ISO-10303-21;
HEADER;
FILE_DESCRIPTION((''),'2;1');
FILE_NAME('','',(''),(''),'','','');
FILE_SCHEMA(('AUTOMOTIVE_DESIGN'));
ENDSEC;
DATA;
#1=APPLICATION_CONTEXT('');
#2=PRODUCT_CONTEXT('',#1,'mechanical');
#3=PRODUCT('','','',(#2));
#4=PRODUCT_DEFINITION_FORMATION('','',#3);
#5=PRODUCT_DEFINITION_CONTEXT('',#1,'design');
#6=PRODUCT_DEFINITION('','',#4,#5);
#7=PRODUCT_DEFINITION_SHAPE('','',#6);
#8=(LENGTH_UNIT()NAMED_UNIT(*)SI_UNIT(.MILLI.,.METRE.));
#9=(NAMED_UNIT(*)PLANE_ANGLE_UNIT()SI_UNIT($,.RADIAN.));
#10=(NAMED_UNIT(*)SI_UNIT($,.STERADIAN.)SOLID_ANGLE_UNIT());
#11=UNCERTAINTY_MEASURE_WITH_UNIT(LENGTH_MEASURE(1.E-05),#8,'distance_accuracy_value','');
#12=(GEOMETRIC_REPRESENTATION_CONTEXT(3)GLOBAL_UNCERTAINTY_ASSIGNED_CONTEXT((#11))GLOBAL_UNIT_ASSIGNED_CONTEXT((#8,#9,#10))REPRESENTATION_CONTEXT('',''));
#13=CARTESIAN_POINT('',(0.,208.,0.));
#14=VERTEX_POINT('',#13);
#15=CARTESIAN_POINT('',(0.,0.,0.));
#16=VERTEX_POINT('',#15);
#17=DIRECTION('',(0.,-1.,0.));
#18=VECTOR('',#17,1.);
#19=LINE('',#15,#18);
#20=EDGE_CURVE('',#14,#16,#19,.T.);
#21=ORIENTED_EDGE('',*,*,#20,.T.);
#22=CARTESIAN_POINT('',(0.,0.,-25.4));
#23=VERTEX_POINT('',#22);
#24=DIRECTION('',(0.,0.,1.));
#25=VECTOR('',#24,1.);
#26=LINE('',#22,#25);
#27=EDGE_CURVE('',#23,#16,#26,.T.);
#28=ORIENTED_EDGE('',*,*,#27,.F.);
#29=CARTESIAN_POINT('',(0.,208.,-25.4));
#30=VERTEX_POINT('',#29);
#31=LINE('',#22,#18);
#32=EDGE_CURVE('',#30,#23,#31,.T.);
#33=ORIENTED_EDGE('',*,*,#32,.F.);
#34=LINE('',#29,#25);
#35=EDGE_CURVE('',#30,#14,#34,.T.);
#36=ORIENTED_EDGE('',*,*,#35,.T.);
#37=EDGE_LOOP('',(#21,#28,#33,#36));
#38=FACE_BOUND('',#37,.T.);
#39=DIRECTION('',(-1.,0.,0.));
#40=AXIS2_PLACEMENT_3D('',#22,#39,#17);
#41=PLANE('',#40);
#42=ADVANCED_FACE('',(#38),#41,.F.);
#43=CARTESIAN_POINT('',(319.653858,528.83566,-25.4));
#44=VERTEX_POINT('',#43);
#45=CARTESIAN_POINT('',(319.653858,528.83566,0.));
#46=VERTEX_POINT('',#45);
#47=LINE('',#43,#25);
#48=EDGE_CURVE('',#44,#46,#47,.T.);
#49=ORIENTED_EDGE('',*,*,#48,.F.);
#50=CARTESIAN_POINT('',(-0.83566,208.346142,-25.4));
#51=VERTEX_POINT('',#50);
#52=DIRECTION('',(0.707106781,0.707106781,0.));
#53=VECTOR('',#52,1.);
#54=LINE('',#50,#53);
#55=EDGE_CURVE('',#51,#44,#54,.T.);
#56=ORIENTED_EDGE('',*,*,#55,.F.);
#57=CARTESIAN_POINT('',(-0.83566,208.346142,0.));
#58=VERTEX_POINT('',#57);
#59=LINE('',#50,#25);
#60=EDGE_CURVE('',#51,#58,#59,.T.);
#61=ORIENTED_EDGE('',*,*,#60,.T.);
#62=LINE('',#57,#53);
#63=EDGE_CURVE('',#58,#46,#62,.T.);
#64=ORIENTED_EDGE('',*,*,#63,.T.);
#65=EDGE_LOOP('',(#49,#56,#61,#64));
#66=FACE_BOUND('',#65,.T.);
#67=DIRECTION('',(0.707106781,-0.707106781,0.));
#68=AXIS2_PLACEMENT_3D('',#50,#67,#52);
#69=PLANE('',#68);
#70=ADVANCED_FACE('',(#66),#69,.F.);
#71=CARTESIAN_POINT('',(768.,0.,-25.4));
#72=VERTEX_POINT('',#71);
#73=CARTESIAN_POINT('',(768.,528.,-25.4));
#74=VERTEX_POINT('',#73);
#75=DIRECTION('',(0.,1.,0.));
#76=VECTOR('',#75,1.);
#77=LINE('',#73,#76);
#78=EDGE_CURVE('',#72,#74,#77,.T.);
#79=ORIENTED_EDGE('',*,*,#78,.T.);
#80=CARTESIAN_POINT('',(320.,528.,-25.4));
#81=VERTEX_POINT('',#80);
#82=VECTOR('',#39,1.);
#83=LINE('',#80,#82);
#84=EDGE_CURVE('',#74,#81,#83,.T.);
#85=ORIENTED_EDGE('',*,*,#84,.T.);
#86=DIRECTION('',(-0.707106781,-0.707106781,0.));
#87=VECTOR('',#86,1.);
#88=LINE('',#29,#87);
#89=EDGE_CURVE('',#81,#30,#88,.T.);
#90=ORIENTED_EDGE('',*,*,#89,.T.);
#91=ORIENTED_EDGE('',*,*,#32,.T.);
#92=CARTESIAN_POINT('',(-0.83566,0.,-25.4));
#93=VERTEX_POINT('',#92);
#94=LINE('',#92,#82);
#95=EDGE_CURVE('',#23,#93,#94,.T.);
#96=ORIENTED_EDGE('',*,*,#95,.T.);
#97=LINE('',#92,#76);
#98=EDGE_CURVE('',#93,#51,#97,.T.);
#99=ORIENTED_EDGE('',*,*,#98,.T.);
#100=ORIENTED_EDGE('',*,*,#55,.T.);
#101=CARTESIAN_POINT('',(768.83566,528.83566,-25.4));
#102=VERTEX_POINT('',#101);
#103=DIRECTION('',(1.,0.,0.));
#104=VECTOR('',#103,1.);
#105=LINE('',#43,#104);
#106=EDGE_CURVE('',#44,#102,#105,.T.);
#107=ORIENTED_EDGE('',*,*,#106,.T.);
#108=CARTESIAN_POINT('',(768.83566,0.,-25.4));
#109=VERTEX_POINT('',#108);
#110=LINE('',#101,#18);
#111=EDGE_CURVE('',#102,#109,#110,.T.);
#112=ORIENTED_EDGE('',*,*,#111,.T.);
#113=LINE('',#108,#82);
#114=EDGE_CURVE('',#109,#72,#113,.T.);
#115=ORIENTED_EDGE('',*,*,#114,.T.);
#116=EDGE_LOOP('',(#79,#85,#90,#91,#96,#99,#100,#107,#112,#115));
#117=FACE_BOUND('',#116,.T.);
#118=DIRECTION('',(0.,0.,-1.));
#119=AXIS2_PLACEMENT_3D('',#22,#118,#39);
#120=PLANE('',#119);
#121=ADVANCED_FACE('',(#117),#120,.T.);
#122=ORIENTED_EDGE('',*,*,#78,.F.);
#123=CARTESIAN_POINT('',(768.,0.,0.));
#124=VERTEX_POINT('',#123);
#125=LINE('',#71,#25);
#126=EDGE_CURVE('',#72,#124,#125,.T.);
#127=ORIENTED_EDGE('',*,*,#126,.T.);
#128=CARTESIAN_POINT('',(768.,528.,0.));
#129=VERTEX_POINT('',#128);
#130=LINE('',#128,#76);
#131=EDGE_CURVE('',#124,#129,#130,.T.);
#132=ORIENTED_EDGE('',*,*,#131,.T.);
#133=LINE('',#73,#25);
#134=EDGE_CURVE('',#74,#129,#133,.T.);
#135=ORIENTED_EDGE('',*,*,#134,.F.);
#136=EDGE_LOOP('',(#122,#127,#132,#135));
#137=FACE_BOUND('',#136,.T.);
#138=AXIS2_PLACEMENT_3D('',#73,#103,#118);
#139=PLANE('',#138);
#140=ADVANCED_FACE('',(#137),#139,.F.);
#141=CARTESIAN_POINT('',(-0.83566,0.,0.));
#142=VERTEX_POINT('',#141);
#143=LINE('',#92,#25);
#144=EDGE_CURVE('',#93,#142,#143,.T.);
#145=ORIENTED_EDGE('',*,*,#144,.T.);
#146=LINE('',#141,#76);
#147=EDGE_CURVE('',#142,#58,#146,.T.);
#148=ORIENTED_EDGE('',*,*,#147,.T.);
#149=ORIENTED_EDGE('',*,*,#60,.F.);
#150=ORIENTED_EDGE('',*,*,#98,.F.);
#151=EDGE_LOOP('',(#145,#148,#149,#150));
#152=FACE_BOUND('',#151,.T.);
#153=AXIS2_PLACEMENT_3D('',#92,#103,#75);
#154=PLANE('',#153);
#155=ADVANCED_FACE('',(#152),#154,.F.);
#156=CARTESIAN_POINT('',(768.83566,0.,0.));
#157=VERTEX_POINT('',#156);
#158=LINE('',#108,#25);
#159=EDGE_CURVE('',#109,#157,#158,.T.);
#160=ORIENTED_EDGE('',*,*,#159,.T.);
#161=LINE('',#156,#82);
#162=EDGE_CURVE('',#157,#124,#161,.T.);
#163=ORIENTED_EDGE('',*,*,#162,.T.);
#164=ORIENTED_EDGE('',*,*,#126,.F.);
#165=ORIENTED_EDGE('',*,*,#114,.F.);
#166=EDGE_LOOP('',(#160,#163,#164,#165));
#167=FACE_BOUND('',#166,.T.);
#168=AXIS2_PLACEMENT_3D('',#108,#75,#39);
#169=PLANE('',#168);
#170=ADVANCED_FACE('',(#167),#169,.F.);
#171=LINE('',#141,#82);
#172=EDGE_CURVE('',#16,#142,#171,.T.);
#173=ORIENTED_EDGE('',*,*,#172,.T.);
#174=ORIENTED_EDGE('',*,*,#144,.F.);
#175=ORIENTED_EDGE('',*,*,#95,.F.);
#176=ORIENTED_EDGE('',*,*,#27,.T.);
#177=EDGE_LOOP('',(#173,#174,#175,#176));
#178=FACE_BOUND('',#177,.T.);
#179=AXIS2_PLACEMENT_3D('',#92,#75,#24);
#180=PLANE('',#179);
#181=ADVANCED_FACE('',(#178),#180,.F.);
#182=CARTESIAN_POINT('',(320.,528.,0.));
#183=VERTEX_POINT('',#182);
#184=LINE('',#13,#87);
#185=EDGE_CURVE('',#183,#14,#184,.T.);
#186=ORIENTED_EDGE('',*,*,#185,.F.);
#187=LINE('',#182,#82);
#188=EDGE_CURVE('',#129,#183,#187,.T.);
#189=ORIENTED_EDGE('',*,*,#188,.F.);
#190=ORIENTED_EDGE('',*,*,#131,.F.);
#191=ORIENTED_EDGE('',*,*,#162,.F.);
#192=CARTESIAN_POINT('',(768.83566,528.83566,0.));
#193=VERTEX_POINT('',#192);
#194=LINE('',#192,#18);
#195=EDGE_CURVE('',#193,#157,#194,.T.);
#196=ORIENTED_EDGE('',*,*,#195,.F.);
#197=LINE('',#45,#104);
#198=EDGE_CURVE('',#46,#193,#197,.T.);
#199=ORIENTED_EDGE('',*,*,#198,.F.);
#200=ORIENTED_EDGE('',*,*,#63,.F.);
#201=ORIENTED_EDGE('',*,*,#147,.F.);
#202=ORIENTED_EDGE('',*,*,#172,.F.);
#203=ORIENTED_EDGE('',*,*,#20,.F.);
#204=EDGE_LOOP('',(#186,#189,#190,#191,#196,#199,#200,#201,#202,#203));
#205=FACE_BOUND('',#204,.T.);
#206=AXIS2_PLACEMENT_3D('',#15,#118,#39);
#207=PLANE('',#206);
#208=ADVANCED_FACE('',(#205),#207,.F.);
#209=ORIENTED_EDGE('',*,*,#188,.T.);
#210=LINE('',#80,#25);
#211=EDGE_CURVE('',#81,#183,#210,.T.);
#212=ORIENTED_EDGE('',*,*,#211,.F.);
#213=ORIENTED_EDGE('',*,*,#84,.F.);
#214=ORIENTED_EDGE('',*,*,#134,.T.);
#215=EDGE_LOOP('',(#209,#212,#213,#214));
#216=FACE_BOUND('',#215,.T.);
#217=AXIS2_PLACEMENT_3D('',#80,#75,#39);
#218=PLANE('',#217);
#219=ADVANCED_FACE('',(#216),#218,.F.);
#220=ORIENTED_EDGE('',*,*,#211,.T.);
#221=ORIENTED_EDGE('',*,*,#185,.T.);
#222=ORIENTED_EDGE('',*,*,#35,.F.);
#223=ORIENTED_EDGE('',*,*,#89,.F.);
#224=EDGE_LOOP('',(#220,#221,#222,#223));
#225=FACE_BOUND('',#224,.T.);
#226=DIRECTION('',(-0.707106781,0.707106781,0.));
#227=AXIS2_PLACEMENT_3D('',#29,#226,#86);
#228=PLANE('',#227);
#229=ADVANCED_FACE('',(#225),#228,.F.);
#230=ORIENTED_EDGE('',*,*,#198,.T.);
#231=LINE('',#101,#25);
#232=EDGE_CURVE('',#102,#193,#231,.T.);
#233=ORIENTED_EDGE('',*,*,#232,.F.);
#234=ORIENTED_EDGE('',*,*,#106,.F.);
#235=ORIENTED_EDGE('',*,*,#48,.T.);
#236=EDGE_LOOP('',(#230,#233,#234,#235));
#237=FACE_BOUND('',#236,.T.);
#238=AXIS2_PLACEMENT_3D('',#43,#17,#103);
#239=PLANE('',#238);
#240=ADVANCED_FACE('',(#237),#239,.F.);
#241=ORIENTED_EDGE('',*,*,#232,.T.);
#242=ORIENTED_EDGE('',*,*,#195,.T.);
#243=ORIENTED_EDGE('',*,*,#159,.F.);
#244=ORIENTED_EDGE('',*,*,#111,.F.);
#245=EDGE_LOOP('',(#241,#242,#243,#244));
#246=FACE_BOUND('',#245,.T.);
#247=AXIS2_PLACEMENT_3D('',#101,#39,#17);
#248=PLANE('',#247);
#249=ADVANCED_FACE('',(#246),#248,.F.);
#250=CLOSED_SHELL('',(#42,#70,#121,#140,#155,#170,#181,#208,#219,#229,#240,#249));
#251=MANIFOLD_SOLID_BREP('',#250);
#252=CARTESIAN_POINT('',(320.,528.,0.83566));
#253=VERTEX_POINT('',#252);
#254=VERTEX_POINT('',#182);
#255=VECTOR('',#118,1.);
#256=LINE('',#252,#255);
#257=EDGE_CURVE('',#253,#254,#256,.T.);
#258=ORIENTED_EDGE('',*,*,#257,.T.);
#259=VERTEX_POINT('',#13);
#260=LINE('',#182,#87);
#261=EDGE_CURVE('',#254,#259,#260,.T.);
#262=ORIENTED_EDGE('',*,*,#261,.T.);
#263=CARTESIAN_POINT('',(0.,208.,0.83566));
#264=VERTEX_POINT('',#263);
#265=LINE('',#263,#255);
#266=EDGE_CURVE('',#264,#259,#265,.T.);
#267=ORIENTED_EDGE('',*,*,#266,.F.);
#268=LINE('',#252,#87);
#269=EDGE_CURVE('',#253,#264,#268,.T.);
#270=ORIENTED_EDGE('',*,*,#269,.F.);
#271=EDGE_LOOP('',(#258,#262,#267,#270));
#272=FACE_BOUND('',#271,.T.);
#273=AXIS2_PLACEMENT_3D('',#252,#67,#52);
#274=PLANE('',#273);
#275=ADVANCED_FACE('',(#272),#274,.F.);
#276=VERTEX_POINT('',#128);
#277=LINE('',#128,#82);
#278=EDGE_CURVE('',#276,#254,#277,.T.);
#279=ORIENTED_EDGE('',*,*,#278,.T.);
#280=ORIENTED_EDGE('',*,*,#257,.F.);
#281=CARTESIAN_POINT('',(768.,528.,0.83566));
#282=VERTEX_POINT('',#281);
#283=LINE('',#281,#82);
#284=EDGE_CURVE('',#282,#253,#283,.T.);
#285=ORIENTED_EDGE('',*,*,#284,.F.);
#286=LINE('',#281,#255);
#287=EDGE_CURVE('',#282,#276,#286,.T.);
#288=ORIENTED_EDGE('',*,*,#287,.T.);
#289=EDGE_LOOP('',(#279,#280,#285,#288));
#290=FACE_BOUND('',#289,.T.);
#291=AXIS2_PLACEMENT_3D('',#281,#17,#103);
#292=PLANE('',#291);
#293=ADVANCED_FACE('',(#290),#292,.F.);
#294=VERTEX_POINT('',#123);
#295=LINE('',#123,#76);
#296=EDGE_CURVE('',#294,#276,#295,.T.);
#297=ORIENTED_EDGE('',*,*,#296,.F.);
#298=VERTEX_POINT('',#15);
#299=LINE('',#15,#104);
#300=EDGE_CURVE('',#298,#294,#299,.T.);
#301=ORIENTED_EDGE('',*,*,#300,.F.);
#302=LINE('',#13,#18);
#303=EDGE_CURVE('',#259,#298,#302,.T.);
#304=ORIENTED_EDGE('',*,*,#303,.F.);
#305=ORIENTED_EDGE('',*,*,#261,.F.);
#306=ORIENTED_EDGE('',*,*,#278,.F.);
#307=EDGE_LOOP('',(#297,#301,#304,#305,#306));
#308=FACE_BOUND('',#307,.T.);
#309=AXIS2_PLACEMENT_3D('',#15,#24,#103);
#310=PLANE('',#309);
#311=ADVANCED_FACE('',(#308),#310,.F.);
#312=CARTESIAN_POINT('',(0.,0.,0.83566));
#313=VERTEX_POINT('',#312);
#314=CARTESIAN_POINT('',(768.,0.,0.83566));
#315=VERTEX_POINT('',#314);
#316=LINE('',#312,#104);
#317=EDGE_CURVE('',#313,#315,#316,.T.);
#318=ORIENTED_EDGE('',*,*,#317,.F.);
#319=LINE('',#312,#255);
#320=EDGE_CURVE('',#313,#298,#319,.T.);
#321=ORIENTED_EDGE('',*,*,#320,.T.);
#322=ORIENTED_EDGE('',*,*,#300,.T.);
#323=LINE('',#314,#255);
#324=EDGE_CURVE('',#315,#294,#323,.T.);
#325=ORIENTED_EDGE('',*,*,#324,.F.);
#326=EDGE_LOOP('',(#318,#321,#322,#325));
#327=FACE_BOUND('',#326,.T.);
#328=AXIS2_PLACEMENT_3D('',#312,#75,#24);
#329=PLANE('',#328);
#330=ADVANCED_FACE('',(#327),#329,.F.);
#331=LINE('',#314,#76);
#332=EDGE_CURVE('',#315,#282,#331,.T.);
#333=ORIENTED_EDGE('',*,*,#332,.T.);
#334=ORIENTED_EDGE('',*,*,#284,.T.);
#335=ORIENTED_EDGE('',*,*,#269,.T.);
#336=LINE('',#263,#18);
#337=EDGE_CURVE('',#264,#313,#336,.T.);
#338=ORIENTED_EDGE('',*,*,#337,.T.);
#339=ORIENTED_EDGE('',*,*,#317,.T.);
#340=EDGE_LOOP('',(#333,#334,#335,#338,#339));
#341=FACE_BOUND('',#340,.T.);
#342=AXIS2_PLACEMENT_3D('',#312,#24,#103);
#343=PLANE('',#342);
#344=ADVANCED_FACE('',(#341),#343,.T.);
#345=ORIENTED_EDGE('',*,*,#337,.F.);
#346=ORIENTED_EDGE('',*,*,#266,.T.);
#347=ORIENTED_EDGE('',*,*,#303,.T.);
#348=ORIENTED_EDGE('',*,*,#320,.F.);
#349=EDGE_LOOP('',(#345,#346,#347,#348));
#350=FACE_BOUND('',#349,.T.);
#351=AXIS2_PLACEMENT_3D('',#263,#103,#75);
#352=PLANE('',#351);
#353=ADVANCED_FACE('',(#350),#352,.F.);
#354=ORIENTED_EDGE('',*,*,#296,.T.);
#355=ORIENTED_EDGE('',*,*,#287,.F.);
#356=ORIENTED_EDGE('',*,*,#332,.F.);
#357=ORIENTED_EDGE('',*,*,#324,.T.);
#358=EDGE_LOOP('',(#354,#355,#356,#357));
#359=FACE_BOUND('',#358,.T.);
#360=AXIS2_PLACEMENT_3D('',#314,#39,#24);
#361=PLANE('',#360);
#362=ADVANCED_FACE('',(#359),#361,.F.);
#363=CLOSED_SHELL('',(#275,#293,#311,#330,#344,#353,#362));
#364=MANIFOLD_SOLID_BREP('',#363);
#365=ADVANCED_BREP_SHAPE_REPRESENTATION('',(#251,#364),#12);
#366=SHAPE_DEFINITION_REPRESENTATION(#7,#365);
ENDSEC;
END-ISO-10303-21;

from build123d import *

# Parameters (mm, degrees)
SALIENTE_EXTRUIR1_DEPTH = 0.83566
SALIENTE_EXTRUIR2_DEPTH = 25.4


with BuildPart() as part:
    # Croquis1 → Saliente-Extruir1 (new body)
    with BuildSketch(Plane.XY):
        Polygon((0, 0), (768, 0), (768, 528), (320, 528), (0, 208), align=None)
    extrude(amount=SALIENTE_EXTRUIR1_DEPTH)


with BuildPart() as body_2:
    # Croquis3 → Saliente-Extruir2 (new body)
    with BuildSketch(Plane(origin=(0, 0, 0), x_dir=(-1, 0, 0), z_dir=(0, 0, -1))):
        Polygon((0.83566, 0), (0.83566, 208.346141706), (-319.653858294, 528.83566), (-768.83566, 528.83566), (-768.83566, 0), (-768, 0), (-768, 528), (-320, 528), (0, 208), (0, 0), align=None)
    extrude(amount=SALIENTE_EXTRUIR2_DEPTH)


solid = Compound([part.part, body_2.part])
